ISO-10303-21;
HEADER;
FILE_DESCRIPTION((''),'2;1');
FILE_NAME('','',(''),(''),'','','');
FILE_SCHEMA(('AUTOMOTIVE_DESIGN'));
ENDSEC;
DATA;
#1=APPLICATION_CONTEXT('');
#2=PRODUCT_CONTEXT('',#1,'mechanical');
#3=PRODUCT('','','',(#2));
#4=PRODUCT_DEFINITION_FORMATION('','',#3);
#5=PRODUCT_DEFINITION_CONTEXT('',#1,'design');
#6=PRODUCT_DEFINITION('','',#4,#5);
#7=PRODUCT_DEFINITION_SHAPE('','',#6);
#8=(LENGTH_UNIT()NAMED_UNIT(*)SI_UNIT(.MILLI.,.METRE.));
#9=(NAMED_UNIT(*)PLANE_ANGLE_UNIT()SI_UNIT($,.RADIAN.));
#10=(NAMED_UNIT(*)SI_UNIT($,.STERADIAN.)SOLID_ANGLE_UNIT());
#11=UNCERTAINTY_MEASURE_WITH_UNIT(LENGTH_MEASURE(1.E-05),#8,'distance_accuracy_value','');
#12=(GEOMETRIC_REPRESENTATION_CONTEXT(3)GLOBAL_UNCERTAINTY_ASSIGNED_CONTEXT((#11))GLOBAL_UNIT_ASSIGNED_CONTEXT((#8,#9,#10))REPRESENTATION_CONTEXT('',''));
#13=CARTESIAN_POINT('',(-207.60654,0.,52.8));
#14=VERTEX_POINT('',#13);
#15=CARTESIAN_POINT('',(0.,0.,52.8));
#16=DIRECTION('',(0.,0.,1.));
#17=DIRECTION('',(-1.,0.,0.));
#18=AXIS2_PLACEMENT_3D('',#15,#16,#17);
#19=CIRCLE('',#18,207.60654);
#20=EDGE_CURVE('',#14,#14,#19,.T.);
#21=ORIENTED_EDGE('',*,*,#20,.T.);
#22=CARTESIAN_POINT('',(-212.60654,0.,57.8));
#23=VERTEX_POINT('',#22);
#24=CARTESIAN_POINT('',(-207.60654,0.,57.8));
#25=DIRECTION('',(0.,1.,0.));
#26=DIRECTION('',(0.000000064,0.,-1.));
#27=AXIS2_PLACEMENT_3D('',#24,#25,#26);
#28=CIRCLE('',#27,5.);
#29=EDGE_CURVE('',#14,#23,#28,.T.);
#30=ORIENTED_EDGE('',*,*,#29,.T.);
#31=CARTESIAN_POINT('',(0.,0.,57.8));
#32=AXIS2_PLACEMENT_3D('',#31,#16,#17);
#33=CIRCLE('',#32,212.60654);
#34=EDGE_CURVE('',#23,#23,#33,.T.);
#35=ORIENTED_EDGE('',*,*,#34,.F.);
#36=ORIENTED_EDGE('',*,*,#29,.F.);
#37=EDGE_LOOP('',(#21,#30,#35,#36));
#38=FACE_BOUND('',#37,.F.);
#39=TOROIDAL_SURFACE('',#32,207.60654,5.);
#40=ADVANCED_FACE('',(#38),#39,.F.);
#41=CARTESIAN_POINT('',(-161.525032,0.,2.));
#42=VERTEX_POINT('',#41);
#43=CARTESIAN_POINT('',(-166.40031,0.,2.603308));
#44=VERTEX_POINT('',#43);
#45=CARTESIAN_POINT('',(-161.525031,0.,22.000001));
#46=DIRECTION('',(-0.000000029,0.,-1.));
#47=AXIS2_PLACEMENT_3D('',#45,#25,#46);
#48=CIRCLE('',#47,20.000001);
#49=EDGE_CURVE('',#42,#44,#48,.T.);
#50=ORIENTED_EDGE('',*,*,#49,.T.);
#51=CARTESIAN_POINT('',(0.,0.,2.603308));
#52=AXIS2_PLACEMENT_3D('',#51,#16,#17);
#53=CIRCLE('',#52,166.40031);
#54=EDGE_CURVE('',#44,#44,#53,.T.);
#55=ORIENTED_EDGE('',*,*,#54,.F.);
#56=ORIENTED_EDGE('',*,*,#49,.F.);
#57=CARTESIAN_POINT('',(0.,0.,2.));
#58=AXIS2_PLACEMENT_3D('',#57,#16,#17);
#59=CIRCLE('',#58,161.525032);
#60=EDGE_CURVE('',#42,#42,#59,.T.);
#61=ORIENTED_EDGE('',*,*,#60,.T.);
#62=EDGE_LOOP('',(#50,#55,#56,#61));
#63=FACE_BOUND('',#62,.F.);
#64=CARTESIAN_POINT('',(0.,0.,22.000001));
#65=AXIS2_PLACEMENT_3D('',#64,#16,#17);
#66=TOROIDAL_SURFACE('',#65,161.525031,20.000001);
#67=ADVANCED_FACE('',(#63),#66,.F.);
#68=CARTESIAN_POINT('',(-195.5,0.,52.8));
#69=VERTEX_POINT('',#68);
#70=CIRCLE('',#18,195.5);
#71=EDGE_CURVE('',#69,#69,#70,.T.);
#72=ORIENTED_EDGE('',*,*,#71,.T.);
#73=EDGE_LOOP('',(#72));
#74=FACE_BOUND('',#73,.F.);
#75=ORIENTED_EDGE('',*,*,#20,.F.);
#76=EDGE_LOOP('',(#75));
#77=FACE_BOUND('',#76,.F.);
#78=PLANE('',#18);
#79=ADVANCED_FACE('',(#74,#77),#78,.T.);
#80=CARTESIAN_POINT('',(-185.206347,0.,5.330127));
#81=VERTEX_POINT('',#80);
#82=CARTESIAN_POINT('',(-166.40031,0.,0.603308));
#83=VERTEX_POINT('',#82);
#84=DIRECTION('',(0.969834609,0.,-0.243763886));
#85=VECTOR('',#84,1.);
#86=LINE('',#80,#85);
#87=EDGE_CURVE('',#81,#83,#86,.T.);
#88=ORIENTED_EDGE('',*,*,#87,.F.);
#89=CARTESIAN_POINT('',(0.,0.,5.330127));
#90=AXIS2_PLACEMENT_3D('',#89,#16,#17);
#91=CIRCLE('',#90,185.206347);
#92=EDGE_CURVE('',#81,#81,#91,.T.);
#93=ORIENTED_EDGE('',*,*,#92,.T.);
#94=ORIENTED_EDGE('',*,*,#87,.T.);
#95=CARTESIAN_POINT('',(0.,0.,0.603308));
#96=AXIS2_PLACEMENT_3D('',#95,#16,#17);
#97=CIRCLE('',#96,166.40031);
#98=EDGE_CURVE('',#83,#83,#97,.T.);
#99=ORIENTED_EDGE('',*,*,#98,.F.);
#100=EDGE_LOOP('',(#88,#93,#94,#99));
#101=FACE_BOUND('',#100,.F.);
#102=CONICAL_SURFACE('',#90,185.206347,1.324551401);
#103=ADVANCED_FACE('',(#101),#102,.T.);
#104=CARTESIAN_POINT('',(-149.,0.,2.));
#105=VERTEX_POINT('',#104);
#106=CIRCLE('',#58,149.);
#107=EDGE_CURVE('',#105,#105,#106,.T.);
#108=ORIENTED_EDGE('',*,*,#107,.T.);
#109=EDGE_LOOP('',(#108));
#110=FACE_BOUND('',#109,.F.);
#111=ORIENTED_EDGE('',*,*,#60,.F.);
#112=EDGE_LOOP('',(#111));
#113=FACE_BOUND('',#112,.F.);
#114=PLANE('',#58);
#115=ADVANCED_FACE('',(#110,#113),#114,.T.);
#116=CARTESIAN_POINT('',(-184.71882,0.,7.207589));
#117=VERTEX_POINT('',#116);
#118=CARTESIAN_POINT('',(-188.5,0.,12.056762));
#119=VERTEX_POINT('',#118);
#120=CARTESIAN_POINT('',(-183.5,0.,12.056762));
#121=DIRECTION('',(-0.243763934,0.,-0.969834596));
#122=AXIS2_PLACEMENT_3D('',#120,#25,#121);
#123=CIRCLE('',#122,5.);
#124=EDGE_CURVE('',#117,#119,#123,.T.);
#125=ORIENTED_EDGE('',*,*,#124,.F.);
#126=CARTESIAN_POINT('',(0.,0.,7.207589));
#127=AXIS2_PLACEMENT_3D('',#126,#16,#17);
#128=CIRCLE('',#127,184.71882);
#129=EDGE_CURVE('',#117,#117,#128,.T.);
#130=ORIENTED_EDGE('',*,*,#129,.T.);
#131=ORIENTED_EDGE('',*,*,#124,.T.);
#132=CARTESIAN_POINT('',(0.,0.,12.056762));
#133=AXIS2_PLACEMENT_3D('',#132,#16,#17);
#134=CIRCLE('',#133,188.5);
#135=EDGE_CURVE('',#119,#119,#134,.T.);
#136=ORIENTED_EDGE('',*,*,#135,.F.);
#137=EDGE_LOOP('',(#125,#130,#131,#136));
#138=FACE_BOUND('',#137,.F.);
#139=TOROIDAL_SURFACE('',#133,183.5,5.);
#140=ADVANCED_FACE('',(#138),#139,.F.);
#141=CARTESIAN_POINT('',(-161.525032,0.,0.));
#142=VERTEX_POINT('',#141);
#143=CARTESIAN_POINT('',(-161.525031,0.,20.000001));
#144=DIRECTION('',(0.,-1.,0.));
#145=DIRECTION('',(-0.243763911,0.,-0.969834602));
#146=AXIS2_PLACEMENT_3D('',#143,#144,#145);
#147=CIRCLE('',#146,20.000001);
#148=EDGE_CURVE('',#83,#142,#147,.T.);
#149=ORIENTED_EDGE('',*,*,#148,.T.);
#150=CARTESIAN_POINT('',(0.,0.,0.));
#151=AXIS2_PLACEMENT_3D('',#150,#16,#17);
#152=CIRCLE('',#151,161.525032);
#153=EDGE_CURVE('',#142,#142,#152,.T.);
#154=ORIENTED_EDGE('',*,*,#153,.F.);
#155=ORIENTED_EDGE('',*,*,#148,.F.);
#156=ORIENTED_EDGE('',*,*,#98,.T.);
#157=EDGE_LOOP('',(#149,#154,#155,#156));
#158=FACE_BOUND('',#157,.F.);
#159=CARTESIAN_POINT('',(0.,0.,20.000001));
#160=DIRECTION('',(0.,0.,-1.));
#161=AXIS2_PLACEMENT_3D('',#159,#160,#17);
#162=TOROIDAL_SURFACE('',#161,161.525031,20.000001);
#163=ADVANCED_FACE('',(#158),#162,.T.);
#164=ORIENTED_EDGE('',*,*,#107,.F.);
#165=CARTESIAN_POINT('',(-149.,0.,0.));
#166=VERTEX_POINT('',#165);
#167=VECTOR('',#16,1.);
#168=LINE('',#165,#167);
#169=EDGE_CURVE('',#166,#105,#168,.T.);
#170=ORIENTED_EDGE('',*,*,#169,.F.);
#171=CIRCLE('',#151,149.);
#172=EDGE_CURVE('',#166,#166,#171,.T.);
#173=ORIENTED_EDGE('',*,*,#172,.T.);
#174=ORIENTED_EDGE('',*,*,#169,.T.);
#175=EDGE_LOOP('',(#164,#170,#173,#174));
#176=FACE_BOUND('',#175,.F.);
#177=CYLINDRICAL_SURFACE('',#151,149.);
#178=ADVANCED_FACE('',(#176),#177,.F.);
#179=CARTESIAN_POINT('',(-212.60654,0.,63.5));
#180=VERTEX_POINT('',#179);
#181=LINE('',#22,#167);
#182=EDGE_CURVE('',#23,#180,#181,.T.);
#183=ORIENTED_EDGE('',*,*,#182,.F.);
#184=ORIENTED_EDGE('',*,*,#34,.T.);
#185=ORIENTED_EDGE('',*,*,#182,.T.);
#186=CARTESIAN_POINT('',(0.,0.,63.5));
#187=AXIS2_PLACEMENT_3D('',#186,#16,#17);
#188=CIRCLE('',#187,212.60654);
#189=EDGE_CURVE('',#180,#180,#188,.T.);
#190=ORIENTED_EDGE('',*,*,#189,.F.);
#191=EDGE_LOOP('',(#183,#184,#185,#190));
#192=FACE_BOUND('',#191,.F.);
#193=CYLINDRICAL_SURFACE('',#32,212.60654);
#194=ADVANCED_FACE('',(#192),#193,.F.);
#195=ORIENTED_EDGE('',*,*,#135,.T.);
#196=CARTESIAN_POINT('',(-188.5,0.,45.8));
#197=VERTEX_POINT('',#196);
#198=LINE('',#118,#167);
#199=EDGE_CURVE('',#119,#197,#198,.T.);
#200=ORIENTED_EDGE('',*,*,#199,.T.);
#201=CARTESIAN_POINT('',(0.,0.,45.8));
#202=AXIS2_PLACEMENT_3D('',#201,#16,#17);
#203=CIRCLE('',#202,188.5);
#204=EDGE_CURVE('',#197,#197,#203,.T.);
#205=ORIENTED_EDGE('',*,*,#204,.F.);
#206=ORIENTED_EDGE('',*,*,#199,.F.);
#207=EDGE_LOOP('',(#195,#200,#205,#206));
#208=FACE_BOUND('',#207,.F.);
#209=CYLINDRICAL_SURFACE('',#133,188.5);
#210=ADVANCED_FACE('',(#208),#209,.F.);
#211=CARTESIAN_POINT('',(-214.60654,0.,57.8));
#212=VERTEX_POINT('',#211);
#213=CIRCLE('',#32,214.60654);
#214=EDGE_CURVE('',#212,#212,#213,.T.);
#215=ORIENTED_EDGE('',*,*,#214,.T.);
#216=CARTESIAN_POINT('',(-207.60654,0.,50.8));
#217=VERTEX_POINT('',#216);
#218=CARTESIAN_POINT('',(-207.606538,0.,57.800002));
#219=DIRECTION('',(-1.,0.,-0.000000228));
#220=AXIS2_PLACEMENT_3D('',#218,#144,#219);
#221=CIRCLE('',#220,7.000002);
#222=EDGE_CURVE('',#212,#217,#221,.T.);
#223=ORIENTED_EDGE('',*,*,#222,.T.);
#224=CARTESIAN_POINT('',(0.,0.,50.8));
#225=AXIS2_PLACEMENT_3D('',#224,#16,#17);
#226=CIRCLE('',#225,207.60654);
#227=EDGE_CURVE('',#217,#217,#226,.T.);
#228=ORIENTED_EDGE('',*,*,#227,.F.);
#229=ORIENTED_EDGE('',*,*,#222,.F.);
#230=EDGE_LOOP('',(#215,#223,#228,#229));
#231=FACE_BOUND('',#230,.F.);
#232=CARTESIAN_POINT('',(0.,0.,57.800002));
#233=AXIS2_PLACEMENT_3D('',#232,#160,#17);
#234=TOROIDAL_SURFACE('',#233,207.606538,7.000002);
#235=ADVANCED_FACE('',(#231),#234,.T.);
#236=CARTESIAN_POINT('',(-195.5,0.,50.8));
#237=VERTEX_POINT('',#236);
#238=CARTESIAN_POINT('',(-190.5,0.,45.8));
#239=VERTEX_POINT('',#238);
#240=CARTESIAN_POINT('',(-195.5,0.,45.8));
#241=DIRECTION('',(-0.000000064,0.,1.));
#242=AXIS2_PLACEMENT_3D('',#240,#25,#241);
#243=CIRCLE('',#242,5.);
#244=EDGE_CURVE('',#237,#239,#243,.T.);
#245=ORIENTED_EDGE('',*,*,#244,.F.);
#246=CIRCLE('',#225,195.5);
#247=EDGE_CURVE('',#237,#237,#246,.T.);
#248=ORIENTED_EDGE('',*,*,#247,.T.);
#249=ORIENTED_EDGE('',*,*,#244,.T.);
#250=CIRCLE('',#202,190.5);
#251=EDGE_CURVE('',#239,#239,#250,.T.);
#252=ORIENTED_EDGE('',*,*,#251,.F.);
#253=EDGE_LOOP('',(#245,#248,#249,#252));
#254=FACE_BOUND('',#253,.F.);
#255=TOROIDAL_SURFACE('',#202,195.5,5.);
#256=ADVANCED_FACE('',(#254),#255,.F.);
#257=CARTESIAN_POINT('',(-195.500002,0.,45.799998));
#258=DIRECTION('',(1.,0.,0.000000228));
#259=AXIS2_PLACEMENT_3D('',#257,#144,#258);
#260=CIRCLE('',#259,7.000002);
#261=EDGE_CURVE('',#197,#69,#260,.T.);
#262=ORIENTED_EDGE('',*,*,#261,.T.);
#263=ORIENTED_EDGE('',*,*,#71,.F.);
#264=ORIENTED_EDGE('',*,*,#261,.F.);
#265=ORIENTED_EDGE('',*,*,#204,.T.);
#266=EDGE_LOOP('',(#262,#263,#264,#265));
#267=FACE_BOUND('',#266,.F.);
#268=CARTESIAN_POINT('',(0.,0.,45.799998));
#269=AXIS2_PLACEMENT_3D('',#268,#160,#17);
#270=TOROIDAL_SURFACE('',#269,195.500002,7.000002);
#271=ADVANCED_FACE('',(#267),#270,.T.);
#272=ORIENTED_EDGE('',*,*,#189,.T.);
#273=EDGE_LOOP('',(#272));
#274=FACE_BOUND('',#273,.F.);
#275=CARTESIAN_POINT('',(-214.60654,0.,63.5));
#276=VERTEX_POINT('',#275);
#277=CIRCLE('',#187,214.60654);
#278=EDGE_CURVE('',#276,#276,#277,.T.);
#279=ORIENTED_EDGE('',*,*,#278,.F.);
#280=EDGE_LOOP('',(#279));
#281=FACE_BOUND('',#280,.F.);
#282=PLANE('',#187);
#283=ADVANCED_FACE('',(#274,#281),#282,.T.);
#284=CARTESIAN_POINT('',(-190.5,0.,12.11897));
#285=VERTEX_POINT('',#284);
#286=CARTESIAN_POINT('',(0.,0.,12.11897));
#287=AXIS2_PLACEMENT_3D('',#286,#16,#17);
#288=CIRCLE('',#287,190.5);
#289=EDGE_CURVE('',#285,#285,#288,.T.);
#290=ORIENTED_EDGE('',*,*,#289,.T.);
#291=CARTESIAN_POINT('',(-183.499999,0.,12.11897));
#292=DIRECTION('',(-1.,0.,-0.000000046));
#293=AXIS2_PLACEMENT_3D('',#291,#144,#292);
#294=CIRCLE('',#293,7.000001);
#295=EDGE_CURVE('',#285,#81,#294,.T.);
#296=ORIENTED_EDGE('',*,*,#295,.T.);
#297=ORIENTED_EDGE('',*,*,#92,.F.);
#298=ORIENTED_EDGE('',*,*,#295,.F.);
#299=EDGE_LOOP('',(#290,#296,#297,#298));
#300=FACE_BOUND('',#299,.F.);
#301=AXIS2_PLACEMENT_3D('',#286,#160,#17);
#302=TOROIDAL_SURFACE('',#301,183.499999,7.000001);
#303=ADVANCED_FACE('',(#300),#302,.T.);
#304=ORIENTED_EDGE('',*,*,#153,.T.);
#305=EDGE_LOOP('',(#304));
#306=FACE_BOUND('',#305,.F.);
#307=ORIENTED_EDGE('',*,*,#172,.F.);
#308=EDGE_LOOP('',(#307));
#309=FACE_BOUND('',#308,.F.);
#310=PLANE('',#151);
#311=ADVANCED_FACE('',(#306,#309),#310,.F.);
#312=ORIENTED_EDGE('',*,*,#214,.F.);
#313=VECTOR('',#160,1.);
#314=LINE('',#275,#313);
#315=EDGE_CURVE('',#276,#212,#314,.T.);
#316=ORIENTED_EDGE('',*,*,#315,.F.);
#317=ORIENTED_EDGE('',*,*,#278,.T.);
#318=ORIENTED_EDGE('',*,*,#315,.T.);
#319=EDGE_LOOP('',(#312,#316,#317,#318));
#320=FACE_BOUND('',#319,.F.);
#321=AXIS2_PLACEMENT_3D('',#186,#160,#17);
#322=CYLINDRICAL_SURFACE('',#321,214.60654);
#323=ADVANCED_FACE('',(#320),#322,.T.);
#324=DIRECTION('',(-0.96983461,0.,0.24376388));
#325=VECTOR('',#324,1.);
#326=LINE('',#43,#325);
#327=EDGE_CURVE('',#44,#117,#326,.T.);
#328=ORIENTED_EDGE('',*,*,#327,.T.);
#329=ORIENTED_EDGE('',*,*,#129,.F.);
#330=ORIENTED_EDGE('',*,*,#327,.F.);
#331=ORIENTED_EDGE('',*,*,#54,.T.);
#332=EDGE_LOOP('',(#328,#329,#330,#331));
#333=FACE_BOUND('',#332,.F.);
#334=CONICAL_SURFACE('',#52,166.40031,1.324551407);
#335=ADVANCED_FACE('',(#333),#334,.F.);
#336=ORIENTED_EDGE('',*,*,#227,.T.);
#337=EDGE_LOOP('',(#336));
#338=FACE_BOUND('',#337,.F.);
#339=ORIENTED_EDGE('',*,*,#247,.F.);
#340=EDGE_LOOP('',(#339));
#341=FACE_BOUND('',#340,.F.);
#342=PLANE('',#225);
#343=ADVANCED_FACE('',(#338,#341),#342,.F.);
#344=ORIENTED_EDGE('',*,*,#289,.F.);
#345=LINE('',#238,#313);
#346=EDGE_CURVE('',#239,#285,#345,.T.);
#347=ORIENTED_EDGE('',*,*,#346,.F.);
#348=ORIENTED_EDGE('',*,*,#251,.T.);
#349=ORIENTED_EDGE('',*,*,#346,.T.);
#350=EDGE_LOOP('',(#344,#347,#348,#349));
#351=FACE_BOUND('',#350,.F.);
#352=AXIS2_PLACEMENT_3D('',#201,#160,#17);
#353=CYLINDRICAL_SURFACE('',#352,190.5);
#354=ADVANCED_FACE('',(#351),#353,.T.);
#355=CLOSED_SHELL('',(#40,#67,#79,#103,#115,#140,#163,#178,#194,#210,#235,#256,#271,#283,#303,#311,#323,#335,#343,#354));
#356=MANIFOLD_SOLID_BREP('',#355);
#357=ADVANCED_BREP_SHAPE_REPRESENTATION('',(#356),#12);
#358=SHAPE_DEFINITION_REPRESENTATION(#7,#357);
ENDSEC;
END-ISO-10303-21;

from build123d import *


with BuildPart() as f1:
    # F0 (on Front) → F1 (revolve)
    with BuildSketch(Plane.XZ):
        with BuildLine():
            Line((-161.525032, 0), (-149, 0))
            Line((-149, 0), (-149, 2))
            Line((-149, 2), (-161.525032, 2))
            ThreePointArc((-161.525032, 2), (-163.981264, 2.1514), (-166.40031, 2.603308))
            Line((-166.40031, 2.603308), (-184.71882, 7.207589))
            ThreePointArc((-184.71882, 7.207589), (-187.442975, 8.982197), (-188.5, 12.056762))
            Line((-188.5, 12.056762), (-188.5, 45.8))
            ThreePointArc((-188.5, 45.8), (-190.550253, 50.749747), (-195.5, 52.8))
            Line((-195.5, 52.8), (-207.60654, 52.8))
            ThreePointArc((-207.60654, 52.8), (-211.142074, 54.264466), (-212.60654, 57.8))
            Line((-212.60654, 57.8), (-212.60654, 63.5))
            Line((-212.60654, 63.5), (-214.60654, 63.5))
            Line((-214.60654, 63.5), (-214.60654, 57.8))
            ThreePointArc((-214.60654, 57.8), (-212.556287, 52.850253), (-207.60654, 50.8))
            Line((-207.60654, 50.8), (-195.5, 50.8))
            ThreePointArc((-195.5, 50.8), (-191.964466, 49.335534), (-190.5, 45.8))
            Line((-190.5, 45.8), (-190.5, 12.11897))
            ThreePointArc((-190.5, 12.11897), (-189.020164, 7.814578), (-185.206347, 5.330127))
            Line((-185.206347, 5.330127), (-166.40031, 0.603308))
            ThreePointArc((-166.40031, 0.603308), (-163.981264, 0.1514), (-161.525032, 0))
        make_face()
    revolve(axis=Axis((0, 0, 22.588933), (0, 0, 1)))


solid = f1.part
